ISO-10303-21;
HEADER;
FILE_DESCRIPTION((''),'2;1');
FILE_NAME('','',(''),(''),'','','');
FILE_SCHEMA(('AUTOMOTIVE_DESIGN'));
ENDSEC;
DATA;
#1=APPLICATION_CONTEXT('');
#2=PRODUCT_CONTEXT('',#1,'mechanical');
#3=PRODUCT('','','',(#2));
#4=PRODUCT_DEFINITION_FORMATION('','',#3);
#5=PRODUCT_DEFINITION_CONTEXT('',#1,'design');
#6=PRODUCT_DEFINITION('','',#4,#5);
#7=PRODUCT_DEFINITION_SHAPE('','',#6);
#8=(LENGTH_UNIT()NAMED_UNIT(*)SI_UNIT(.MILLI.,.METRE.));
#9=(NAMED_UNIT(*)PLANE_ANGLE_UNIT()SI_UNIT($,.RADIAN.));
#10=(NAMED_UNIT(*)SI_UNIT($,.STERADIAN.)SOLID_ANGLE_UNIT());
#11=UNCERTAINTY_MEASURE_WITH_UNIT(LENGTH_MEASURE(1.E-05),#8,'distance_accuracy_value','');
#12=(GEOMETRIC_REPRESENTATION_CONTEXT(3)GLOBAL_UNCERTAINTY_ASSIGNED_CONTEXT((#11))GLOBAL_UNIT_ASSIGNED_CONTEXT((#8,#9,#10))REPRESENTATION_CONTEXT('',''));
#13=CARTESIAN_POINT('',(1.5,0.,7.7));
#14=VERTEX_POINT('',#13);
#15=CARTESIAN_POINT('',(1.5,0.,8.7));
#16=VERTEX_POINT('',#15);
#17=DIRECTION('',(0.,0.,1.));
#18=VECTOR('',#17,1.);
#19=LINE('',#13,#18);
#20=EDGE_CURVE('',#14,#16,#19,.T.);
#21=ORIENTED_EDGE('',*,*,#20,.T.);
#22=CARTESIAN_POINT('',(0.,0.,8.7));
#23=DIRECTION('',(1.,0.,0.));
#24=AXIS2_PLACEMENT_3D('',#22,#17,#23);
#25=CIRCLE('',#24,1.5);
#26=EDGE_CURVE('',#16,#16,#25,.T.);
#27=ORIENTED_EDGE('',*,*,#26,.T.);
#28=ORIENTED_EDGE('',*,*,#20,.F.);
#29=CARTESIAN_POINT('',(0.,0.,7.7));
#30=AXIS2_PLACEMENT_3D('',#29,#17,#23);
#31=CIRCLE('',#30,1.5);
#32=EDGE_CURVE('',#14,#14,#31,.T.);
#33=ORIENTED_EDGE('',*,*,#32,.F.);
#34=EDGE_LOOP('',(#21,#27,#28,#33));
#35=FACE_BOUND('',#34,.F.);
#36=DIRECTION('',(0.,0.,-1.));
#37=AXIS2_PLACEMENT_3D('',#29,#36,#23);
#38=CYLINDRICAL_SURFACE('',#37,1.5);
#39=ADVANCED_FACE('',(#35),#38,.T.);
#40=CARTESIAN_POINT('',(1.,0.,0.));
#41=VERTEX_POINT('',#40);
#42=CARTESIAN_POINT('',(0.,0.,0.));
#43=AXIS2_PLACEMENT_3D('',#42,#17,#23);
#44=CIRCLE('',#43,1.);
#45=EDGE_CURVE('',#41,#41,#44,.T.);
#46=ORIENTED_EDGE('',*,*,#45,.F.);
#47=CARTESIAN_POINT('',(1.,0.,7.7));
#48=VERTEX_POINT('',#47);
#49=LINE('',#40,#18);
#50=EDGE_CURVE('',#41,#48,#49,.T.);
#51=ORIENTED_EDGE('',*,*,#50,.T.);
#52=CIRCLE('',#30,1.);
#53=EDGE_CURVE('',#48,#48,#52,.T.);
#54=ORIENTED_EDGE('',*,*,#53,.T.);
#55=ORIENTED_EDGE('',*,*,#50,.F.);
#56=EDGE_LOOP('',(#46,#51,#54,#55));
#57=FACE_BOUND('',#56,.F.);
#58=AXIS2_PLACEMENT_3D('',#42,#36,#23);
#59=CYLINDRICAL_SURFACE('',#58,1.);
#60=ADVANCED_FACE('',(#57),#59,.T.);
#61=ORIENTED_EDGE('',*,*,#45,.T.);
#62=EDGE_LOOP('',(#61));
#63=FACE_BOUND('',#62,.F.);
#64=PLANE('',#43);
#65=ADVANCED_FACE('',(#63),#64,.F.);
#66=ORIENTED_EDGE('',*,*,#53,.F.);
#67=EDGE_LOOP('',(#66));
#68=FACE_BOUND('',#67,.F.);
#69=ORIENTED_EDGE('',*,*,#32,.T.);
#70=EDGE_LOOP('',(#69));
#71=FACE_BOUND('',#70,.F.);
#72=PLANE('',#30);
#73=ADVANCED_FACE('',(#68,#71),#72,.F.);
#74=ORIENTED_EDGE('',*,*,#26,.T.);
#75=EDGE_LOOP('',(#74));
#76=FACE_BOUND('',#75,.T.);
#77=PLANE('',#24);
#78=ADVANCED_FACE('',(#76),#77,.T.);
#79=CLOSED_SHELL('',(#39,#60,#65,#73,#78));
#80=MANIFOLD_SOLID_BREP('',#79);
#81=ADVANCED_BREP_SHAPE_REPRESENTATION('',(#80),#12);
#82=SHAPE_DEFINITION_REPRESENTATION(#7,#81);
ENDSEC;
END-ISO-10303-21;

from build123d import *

# Parameters (mm, degrees)
SKETCH1_R           = 1
BOSS_EXTRUDE1_DEPTH = 7.7
SKETCH2_R           = 1.5
BOSS_EXTRUDE2_DEPTH = 1


with BuildPart() as part:
    # Sketch1 → Boss-Extrude1 (new body)
    with BuildSketch(Plane.XY):
        Circle(SKETCH1_R)
    extrude(amount=BOSS_EXTRUDE1_DEPTH)

    # Sketch2 → Boss-Extrude2 (add)
    with BuildSketch(Plane.XY.offset(7.7)):
        Circle(SKETCH2_R)
    extrude(amount=BOSS_EXTRUDE2_DEPTH)


solid = part.part
